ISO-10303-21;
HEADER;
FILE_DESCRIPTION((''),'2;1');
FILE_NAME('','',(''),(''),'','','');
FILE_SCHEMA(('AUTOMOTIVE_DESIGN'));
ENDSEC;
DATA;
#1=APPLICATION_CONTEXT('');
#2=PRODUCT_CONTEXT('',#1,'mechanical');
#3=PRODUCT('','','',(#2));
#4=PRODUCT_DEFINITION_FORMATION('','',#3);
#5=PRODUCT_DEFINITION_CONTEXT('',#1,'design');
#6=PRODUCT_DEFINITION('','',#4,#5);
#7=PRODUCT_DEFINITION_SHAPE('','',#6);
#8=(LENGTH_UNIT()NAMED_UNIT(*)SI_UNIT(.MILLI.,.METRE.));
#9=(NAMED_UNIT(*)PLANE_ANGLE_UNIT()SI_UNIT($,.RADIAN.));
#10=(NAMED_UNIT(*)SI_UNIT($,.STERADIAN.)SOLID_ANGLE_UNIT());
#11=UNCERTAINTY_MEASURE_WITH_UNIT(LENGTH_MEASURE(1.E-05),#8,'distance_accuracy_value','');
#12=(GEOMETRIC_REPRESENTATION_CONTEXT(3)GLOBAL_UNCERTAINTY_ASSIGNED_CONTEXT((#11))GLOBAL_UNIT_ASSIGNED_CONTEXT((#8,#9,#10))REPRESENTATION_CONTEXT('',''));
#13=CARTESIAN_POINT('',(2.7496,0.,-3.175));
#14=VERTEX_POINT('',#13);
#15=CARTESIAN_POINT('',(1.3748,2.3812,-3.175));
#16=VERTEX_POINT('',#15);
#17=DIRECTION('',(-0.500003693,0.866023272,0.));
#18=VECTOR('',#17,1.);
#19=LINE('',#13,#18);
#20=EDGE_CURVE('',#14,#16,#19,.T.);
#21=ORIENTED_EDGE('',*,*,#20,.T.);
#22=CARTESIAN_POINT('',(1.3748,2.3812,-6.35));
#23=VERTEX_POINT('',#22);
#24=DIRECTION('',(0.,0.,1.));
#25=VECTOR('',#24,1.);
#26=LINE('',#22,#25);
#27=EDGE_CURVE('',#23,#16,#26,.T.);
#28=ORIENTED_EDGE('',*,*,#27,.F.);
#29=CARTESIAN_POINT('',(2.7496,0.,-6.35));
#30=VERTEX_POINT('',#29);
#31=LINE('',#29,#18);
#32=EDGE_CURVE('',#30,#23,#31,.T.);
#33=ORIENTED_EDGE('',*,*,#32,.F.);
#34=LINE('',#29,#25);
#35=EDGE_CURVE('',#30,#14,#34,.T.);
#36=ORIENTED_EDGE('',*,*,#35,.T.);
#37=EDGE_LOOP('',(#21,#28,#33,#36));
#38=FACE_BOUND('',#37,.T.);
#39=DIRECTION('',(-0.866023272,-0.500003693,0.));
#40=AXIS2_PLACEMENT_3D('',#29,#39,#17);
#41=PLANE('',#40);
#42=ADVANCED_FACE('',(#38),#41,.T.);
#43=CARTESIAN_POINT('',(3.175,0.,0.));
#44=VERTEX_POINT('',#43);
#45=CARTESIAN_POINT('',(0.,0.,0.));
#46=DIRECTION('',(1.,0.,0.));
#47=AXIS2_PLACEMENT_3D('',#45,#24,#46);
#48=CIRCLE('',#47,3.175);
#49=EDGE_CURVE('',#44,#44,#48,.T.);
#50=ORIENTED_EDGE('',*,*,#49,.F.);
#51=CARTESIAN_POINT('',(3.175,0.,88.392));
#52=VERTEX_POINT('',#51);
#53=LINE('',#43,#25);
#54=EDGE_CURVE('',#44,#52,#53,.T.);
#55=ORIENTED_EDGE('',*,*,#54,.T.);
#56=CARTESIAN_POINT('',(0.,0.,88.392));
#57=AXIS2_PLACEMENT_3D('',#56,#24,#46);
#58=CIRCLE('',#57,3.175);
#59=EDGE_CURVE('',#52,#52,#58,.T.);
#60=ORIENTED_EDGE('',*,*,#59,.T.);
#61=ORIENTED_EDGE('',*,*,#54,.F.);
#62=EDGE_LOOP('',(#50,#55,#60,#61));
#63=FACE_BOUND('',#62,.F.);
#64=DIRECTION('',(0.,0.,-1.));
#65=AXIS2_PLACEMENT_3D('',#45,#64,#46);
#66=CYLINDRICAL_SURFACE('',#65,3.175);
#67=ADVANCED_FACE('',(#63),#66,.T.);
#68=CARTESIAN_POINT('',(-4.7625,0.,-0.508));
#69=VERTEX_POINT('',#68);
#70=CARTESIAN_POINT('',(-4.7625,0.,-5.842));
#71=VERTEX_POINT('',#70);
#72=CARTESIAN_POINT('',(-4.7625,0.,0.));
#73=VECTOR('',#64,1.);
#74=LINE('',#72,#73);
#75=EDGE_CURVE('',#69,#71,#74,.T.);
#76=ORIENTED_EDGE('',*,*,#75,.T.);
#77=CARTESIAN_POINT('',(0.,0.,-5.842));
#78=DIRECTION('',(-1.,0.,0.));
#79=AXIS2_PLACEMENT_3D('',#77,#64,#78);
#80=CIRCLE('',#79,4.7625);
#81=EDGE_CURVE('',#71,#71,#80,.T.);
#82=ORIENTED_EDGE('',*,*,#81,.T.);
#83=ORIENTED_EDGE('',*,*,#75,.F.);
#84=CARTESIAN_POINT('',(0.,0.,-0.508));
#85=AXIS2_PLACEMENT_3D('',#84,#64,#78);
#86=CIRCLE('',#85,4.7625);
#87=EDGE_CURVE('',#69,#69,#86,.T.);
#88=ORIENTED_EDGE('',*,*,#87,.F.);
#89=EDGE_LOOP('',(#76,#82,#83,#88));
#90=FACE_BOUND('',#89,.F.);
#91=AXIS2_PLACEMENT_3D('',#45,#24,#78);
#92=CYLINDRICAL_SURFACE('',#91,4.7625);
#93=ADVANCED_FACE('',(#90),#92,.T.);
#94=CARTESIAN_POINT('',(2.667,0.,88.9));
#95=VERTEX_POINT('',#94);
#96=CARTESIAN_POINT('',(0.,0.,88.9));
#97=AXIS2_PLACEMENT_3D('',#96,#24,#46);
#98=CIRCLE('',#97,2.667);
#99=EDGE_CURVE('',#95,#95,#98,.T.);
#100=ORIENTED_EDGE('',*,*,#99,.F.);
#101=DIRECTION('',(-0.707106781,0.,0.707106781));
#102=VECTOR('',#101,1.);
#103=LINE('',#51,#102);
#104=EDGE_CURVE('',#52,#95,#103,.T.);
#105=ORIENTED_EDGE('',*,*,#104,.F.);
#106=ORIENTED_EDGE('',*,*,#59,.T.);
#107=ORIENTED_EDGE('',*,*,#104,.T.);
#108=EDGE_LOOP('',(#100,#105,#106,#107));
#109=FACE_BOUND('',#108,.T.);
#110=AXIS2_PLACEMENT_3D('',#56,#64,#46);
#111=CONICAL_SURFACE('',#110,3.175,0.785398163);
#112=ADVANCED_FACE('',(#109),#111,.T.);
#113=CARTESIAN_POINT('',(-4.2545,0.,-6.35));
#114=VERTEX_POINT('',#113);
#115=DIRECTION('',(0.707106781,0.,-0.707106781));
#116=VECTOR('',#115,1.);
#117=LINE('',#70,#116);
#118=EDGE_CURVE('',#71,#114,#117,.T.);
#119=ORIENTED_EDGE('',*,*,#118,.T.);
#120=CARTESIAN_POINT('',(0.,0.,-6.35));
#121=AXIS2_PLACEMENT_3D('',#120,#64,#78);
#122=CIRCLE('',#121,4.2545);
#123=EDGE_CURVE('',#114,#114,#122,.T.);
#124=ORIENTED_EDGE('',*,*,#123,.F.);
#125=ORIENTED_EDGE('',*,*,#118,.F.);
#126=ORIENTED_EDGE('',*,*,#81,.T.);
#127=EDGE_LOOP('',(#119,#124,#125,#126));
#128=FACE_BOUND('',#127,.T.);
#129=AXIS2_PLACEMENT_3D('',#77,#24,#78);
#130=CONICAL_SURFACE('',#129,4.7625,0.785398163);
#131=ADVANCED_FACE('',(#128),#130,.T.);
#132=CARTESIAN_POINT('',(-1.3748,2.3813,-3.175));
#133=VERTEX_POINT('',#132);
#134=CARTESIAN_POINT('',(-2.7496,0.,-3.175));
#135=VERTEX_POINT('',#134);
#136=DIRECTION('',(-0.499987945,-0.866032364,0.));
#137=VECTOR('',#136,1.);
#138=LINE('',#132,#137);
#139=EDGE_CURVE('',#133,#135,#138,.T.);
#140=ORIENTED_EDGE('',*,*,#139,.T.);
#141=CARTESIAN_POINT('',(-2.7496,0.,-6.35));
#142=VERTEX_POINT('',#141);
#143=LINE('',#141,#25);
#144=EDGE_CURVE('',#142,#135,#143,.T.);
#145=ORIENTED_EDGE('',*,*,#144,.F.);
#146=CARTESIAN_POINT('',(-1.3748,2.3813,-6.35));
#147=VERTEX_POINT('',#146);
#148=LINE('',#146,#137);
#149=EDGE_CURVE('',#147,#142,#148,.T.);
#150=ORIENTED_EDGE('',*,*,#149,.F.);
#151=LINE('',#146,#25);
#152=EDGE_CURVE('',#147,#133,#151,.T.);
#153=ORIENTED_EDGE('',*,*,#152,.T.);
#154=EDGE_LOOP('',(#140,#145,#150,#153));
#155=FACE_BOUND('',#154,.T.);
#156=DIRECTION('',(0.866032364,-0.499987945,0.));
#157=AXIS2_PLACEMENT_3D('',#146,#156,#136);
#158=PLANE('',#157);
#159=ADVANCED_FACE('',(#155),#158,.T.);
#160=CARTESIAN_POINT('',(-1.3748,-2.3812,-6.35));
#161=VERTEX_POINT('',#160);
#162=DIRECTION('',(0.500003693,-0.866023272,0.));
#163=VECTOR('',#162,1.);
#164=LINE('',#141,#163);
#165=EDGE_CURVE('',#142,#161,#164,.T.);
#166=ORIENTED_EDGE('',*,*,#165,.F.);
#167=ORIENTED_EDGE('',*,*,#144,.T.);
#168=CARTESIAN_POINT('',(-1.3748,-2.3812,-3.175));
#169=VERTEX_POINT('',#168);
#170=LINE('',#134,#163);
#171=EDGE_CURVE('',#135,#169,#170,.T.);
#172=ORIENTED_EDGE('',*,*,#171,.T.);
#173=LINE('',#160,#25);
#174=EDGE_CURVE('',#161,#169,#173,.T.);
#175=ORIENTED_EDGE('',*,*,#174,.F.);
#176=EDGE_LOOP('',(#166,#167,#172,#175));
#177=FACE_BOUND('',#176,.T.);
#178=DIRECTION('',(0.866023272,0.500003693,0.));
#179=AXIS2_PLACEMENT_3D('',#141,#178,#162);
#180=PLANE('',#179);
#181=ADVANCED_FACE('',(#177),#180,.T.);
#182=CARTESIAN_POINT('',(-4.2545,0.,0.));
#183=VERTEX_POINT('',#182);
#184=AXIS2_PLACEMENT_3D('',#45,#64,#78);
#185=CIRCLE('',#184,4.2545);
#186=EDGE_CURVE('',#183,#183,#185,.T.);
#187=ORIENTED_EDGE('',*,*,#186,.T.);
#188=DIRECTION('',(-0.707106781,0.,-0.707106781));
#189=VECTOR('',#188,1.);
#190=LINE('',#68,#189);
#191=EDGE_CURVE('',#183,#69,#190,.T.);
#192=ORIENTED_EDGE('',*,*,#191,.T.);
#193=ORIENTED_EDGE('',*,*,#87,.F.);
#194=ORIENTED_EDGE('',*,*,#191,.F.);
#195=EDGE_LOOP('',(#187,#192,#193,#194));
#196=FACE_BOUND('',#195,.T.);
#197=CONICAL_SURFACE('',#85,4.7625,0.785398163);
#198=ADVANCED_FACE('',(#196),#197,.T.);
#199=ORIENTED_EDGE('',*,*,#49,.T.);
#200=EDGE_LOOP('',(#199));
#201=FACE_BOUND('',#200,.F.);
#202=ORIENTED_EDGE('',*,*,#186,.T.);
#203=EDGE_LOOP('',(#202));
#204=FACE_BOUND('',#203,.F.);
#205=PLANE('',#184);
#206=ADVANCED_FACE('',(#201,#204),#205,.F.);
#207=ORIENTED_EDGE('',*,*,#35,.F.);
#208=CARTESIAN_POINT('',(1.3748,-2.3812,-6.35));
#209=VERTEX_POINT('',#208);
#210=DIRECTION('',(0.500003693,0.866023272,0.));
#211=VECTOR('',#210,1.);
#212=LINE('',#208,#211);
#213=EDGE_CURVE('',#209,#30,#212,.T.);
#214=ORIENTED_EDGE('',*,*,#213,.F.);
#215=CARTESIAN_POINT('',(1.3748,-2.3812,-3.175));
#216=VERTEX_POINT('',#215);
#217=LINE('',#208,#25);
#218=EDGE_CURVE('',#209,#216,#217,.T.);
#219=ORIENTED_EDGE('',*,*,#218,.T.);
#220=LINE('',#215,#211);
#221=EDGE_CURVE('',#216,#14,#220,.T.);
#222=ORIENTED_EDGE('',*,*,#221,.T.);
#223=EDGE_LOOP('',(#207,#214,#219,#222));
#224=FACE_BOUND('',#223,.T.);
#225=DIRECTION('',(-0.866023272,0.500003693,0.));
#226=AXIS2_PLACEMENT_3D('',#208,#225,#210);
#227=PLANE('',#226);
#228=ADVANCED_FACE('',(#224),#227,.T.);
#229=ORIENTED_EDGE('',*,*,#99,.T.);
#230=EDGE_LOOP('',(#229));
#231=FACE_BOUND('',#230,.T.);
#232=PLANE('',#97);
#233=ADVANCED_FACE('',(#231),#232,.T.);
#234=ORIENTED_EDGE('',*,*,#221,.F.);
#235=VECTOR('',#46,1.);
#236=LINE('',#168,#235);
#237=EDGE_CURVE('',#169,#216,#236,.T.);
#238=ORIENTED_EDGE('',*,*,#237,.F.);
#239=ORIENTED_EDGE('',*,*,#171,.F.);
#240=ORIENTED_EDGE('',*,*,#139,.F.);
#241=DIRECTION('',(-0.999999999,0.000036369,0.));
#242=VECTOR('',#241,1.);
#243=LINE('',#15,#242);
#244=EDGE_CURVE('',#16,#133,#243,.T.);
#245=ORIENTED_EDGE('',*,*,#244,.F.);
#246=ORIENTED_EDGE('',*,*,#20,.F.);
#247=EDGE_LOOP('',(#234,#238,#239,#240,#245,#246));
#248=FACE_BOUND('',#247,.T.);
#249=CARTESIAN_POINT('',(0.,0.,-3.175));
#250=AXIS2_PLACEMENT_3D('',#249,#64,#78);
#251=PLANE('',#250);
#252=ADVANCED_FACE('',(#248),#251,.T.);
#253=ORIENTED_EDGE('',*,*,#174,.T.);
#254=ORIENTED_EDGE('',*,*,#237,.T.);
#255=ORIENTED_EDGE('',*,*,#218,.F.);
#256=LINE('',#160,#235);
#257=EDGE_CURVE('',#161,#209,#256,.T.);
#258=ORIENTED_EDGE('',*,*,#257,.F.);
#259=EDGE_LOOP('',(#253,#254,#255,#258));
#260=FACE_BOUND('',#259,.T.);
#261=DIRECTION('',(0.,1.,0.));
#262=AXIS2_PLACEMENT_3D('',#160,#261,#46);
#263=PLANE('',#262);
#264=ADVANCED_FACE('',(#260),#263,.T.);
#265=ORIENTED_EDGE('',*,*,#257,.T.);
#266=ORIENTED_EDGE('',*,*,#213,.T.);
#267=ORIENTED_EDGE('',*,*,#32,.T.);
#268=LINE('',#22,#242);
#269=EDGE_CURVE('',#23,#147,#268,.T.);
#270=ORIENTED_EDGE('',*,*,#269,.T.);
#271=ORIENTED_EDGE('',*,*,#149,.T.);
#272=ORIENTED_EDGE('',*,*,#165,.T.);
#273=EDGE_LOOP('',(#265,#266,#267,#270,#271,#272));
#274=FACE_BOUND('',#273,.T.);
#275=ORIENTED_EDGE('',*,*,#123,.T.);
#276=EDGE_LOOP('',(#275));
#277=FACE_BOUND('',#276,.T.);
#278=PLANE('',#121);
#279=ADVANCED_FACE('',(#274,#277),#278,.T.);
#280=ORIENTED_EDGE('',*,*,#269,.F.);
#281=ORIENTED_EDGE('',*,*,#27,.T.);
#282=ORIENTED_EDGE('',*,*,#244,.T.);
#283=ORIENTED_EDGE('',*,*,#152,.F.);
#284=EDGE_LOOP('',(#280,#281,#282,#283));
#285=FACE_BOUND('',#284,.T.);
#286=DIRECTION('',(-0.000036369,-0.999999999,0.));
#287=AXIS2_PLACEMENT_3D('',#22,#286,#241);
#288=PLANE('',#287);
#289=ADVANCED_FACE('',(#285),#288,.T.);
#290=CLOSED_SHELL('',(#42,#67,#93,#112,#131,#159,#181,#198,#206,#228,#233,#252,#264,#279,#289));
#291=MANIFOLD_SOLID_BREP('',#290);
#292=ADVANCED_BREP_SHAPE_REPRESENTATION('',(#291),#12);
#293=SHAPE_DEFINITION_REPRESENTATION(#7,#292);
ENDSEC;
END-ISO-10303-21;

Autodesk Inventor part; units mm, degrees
ref_plane "YZ Plane" through (0, 0, 0) normal (1, 0, 0) x (0, 1, 0)
ref_plane "XZ Plane" through (0, 0, 0) normal (0, 1, 0) x (-1, 0, 0)
ref_plane "XY Plane" through (0, 0, 0) normal (0, 0, 1) x (1, 0, 0)
sketch "Sketch1" plane through (0, 0, 0) normal (0, 0, 1) x (1, 0, 0)
  circle A0 centre (0, 0) radius 3.175
  dimension "d0" = 6.35
extrude "Extrusion1" add sketch "Sketch1" along normal blind 88.9
sketch "Sketch2" plane through (0, 0, 0) normal (0, 0, -1) x (-1, 0, 0)
  circle A0 centre (0, 0) radius 3.175 projected
  circle A1 centre (0, 0) radius 4.7625
  dimension "d3" = 9.525
extrude "Extrusion2" add sketch "Sketch2" along normal blind 6.35 contours A0 | A1
sketch "Sketch3" plane through (0, 0, -6.35) normal (0, 0, -1) x (-1, 0, 0)
  circle A0 centre (0, 0) radius 4.7625 projected
  line L0 (-1.3748, 2.3812) -> (1.3748, 2.3813)
  line L1 (1.3748, 2.3813) -> (2.7496, 0)
  line L2 (2.7496, 0) -> (1.3748, -2.3812)
  line L3 (1.3748, -2.3812) -> (-1.3748, -2.3812)
  line L4 (-1.3748, -2.3812) -> (-2.7496, 0)
  line L5 (-2.7496, 0) -> (-1.3748, 2.3812)
  dimension "d6" = 4.7625
extrude "Extrusion3" cut sketch "Sketch3" against normal blind 3.175 contours L0 L1 L2 L3 L4 L5
chamfer "Chamfer1" distance 0.508 angle 45 3 edges at (-3.175, 0, 88.9) (4.7625, 0, 0) (4.7625, 0, -6.35)
thread "Thread1" size "1/4-20 UNC" class "2A" standard "ANSI Unified Screw Threads" length 25.4
properties part number "14-20 x750" material "Steel"
